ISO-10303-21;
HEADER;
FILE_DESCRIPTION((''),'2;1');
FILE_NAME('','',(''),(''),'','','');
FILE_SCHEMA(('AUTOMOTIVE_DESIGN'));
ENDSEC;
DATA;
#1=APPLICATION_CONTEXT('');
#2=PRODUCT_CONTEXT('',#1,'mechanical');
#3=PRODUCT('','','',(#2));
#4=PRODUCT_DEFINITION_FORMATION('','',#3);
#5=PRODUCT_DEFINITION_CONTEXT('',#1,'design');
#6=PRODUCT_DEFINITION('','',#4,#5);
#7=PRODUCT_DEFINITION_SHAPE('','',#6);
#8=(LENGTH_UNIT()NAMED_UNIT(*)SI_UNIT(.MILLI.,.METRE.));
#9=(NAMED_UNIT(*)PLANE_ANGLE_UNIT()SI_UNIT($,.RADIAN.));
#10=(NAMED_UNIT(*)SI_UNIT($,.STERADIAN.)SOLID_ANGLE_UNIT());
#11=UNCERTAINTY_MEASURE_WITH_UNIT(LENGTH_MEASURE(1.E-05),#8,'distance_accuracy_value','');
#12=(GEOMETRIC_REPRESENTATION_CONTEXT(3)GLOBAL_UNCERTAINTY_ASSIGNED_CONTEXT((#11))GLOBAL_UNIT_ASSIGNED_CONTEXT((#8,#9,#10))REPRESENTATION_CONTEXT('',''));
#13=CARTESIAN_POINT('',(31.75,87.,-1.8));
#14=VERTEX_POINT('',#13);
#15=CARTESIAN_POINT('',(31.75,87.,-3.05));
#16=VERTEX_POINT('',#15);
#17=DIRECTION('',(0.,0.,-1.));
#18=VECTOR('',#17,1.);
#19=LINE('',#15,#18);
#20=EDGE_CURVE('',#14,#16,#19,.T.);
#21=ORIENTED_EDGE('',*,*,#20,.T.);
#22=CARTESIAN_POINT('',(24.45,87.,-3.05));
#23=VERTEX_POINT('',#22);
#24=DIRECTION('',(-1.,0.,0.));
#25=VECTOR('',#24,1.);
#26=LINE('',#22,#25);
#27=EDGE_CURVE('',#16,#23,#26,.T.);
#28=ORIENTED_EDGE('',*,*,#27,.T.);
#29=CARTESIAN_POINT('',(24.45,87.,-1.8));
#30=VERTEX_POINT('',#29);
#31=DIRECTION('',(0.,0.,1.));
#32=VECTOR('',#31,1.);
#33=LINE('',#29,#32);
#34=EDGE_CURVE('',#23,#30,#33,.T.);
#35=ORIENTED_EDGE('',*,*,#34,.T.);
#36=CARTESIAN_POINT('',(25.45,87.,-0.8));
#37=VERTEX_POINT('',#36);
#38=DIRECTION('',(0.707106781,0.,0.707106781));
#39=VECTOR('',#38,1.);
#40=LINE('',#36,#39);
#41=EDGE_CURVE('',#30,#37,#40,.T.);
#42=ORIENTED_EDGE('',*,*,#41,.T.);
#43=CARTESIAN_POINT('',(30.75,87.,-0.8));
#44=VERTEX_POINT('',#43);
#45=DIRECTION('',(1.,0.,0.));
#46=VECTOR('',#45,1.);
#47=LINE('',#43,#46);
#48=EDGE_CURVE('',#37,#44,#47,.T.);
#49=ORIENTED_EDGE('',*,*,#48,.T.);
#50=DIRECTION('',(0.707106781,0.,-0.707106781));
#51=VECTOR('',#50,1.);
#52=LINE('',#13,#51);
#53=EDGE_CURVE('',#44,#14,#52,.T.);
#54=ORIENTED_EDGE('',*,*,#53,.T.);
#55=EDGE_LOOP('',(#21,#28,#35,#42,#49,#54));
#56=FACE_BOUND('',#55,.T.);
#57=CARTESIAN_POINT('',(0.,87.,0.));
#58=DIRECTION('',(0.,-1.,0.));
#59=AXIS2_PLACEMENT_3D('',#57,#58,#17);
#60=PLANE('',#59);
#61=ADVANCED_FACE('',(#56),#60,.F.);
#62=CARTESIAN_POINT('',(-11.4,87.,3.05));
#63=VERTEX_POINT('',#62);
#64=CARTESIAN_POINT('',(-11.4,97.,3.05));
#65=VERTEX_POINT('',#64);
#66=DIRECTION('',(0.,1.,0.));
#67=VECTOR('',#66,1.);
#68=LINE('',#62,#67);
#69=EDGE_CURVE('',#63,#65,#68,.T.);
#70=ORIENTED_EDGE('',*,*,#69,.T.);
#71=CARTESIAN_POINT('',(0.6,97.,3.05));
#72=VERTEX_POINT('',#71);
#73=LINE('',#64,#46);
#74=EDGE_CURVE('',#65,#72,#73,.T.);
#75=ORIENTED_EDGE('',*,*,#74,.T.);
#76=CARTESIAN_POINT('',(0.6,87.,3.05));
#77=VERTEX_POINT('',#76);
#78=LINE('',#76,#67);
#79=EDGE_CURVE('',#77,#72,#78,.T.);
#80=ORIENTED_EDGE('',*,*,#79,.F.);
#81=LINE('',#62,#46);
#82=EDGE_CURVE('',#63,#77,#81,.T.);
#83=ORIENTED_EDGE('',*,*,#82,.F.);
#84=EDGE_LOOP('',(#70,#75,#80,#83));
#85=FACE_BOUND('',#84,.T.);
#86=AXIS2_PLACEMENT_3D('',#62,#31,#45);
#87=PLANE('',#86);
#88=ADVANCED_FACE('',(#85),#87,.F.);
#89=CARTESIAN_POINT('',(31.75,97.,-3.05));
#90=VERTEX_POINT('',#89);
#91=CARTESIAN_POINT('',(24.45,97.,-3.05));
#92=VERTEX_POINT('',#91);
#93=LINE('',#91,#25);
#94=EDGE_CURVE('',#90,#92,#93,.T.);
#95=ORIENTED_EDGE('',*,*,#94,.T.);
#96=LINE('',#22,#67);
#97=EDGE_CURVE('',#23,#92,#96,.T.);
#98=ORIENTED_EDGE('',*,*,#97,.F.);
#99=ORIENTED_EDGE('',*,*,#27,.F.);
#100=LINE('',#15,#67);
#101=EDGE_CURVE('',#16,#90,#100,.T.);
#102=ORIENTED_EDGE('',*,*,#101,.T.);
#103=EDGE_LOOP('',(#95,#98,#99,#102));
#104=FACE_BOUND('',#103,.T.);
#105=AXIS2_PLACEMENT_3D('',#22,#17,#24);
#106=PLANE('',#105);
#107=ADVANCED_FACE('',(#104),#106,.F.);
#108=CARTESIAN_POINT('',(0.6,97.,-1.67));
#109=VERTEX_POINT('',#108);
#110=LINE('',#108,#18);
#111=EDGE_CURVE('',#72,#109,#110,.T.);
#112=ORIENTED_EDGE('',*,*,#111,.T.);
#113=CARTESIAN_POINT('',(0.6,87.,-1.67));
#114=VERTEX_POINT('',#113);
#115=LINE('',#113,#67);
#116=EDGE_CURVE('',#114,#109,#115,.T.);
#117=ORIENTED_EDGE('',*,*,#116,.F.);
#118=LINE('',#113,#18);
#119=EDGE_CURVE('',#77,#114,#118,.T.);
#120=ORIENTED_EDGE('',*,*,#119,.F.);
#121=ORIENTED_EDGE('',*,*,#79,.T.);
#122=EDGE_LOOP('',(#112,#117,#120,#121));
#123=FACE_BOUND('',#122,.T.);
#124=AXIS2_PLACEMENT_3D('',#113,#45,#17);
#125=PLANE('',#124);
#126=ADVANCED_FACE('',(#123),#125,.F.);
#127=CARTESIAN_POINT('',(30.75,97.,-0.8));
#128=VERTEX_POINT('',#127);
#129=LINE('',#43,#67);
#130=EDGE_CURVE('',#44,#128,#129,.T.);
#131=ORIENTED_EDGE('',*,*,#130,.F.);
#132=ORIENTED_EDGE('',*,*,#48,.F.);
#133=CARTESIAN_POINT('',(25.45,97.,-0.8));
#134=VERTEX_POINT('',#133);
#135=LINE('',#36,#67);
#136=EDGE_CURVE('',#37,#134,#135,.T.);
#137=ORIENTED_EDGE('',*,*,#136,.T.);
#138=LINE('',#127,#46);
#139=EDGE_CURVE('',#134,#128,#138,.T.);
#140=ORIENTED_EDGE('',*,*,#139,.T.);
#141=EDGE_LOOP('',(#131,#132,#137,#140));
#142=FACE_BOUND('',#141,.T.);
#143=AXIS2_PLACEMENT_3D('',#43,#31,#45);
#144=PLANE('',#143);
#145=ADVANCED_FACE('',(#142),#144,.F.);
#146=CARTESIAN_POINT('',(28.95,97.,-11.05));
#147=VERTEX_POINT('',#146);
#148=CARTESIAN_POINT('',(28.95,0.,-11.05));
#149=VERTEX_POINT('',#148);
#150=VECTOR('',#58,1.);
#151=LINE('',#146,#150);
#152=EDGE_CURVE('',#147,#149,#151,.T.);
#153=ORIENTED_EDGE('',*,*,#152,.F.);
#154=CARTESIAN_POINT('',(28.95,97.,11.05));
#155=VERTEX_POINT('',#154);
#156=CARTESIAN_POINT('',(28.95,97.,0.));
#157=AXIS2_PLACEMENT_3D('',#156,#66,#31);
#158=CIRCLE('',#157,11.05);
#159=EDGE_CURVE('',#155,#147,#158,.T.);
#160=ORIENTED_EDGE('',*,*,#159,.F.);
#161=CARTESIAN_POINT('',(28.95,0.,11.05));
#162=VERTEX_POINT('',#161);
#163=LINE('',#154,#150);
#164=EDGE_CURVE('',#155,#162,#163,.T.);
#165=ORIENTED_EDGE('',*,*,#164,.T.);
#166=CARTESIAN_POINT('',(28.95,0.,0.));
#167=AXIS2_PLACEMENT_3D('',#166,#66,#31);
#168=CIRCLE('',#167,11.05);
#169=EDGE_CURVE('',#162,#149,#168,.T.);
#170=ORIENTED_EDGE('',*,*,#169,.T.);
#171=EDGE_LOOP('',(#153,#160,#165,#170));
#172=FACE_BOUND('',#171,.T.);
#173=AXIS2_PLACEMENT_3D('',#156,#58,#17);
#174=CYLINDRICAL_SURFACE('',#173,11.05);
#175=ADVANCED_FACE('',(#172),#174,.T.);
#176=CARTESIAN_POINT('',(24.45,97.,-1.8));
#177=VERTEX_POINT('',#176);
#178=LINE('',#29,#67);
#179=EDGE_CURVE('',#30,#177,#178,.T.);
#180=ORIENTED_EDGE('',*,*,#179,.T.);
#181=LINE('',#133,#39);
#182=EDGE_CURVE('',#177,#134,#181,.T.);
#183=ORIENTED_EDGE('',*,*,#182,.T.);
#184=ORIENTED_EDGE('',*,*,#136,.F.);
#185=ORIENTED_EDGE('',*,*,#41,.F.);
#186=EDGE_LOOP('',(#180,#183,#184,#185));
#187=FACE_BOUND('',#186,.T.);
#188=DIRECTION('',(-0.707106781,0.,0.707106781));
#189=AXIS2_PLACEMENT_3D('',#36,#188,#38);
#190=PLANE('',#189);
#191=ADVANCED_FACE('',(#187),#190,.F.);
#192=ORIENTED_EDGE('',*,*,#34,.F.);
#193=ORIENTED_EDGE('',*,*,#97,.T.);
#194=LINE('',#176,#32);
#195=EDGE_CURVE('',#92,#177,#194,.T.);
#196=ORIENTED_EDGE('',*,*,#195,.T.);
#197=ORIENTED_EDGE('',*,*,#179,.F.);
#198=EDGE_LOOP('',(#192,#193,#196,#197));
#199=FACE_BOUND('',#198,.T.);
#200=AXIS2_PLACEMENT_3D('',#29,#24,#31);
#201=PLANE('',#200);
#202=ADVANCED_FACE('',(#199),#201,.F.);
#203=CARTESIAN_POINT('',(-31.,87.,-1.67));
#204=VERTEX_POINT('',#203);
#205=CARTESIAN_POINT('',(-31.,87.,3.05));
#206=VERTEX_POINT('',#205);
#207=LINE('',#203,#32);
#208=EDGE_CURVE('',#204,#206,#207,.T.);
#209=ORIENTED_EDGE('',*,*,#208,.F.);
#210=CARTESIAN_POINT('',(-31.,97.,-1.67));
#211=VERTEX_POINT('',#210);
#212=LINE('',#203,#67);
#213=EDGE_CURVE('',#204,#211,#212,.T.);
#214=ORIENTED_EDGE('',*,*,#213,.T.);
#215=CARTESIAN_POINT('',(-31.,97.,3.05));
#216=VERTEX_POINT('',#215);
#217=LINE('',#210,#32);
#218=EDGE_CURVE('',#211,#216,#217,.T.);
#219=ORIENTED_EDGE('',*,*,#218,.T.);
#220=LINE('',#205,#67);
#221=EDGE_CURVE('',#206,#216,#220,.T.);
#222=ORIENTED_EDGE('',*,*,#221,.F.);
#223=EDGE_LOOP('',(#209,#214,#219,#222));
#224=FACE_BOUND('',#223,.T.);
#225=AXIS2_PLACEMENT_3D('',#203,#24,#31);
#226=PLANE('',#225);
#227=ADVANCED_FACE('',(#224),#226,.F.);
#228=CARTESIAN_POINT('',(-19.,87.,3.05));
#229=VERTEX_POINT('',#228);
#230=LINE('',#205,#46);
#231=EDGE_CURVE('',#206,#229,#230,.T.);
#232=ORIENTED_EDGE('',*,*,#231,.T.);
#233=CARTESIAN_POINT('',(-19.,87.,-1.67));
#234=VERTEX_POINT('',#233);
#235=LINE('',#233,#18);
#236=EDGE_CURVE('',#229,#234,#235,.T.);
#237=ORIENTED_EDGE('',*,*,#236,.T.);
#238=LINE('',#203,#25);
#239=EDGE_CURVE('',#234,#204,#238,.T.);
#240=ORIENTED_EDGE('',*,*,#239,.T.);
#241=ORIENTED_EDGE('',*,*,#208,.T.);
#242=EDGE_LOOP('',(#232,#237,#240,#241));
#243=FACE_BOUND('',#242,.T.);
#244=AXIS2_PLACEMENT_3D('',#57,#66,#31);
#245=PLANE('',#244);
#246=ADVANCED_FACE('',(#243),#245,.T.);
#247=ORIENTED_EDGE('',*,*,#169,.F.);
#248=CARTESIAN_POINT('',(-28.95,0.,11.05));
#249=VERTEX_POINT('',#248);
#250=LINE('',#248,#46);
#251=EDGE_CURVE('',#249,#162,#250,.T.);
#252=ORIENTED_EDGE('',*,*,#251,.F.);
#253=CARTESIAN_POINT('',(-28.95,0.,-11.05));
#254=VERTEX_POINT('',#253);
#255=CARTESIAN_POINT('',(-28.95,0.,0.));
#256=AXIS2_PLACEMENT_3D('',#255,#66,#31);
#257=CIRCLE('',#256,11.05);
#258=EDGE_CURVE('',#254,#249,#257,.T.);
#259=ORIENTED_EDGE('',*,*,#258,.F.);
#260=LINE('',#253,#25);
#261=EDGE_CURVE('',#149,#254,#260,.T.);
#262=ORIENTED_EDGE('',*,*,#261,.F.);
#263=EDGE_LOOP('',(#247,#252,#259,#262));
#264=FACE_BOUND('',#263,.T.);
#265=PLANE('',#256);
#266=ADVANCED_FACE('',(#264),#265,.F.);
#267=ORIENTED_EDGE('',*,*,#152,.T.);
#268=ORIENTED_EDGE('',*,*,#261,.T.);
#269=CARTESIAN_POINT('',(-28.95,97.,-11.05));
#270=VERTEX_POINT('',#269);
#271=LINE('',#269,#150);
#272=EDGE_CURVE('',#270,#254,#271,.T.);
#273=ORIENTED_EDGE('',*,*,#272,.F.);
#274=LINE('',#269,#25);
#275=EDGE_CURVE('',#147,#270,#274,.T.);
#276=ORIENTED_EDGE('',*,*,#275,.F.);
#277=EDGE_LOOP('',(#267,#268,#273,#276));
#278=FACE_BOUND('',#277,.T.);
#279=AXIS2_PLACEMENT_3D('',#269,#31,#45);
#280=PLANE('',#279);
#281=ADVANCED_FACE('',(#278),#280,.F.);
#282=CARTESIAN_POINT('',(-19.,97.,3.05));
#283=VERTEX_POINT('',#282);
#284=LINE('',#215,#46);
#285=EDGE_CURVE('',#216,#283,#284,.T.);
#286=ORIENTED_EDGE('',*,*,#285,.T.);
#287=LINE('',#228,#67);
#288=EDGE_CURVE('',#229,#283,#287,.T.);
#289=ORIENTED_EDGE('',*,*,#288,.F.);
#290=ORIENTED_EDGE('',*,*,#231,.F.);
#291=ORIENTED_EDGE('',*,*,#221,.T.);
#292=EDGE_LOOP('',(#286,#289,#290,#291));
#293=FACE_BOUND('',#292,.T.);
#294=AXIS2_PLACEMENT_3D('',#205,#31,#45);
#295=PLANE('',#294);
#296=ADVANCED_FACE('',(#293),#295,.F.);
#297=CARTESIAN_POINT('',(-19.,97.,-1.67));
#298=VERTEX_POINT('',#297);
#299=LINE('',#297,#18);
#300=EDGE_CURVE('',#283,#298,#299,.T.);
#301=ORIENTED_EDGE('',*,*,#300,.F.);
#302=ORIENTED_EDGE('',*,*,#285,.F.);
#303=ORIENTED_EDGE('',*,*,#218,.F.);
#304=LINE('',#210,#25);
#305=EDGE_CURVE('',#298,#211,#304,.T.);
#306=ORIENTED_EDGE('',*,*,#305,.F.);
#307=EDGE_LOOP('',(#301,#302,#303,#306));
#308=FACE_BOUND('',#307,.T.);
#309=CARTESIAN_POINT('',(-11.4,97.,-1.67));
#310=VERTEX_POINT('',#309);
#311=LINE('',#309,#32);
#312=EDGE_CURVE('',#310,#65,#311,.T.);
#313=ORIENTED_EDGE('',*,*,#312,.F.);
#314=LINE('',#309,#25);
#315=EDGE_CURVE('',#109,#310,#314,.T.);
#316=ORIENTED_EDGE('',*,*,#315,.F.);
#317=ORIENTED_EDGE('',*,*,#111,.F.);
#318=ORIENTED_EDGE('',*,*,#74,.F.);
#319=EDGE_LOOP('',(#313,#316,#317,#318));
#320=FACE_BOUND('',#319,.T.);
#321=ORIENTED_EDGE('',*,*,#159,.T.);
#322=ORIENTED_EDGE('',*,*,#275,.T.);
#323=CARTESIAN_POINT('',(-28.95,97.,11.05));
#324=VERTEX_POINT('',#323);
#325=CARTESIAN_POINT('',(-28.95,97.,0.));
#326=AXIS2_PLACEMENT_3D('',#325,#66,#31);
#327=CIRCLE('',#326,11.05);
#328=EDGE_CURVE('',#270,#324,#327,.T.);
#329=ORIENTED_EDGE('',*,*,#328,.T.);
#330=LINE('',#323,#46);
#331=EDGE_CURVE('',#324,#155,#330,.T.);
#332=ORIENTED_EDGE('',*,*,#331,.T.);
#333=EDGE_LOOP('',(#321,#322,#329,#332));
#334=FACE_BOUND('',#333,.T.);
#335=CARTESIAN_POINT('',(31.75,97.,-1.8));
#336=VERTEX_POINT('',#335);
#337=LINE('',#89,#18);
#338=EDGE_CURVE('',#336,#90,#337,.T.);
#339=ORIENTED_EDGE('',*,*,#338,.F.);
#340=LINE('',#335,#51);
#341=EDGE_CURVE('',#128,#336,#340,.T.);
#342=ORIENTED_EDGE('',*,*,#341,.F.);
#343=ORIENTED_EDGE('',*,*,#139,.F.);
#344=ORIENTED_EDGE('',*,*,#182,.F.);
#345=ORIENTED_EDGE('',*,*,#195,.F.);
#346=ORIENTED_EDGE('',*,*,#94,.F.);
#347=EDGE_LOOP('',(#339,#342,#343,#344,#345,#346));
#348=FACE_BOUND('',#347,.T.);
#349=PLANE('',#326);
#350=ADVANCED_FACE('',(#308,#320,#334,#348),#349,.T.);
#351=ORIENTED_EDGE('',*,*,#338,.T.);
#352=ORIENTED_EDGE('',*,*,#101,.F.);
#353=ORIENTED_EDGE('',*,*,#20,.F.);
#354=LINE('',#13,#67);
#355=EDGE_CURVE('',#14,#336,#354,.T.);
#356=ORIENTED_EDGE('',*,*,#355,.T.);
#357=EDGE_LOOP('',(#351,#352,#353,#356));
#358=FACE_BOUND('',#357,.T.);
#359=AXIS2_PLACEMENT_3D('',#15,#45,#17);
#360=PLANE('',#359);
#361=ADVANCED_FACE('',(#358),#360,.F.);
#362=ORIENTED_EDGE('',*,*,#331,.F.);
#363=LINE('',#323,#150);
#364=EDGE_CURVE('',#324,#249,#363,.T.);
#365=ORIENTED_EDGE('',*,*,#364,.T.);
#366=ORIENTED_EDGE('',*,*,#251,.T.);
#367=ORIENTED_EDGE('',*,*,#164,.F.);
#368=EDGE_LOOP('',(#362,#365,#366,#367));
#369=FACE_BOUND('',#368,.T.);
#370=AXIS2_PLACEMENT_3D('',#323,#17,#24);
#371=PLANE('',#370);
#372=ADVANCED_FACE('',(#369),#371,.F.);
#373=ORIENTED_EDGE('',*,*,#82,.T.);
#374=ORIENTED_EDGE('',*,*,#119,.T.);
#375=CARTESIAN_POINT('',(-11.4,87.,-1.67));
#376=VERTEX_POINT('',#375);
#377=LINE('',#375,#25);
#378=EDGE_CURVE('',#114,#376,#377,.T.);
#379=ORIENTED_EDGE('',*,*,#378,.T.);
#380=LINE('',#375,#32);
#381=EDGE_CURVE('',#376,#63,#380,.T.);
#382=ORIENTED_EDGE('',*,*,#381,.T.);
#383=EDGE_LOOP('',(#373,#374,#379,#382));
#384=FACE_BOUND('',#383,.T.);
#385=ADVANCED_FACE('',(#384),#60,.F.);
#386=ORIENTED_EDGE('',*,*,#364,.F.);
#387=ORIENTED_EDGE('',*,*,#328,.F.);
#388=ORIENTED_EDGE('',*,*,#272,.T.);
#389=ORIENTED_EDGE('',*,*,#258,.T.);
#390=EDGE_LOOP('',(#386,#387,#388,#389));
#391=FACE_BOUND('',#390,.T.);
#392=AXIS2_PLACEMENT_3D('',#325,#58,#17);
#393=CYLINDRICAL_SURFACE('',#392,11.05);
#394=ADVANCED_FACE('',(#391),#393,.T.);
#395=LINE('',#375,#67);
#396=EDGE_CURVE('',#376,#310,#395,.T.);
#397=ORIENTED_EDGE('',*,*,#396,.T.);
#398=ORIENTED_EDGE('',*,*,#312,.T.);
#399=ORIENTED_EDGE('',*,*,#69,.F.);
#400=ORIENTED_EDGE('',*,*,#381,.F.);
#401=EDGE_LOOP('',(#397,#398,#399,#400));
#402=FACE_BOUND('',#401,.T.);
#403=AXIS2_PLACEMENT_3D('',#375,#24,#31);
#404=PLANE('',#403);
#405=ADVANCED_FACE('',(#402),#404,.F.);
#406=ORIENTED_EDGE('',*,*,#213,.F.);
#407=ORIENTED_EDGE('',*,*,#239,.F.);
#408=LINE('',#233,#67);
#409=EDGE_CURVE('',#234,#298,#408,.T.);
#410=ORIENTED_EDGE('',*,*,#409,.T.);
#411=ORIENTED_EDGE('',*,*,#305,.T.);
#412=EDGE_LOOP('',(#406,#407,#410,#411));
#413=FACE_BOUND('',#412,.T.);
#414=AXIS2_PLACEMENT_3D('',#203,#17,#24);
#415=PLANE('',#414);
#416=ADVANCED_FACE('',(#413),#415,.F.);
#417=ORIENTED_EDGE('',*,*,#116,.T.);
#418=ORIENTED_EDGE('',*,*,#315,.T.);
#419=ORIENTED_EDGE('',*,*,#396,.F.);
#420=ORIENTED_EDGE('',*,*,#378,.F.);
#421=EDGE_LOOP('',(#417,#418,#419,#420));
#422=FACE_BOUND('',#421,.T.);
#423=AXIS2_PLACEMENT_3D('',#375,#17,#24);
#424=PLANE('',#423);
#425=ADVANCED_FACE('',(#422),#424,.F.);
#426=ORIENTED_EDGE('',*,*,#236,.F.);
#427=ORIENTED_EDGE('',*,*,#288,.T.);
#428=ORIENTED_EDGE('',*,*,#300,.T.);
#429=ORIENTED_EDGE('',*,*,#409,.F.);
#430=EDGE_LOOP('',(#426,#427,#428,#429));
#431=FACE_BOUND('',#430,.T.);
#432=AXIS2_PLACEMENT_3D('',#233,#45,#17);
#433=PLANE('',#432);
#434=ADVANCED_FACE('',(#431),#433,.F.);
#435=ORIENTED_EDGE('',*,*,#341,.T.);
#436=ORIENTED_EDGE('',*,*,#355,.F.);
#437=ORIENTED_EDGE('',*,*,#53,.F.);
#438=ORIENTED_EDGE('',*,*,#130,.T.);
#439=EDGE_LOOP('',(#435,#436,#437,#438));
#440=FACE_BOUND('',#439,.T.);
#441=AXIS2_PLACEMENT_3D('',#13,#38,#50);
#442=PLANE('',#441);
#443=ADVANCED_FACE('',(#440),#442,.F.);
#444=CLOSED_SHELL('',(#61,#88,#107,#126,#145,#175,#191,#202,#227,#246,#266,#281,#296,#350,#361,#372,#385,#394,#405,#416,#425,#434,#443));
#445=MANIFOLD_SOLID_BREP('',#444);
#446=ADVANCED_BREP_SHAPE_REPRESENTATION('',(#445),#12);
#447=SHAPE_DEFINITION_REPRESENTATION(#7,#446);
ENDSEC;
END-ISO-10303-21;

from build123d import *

# Parameters (mm, degrees)
BOSS_EXTRUDE1_DEPTH = 97
SKETCH2_W           = 12
SKETCH2_H           = 4.72
CUT_EXTRUDE1_DEPTH  = 10


with BuildPart() as part:
    # Sketch1 → Boss-Extrude1 (new body)
    with BuildSketch(Plane(origin=(0, 0, 0), x_dir=(1, 0, 0), z_dir=(0, 1, 0))):
        with BuildLine():
            Line((-28.95, 11.05), (28.95, 11.05))
            ThreePointArc((28.95, 11.05), (40, 0), (28.95, -11.05))
            Line((28.95, -11.05), (-28.95, -11.05))
            ThreePointArc((-28.95, -11.05), (-40, 0), (-28.95, 11.05))
        make_face()
    extrude(amount=BOSS_EXTRUDE1_DEPTH)

    # Sketch2 → Cut-Extrude1 (cut)
    with BuildSketch(Plane(origin=(0, 97, 0), x_dir=(1, 0, 0), z_dir=(0, 1, 0))):
        with Locations((-25, -0.69)):
            Rectangle(SKETCH2_W, SKETCH2_H)
        with Locations((-5.4, -0.69)):
            Rectangle(SKETCH2_W, SKETCH2_H)
        Polygon((25.45, 0.8), (24.45, 1.8), (24.45, 3.05), (31.75, 3.05), (31.75, 1.8), (30.75, 0.8), align=None)
    extrude(amount=-CUT_EXTRUDE1_DEPTH, mode=Mode.SUBTRACT)


solid = part.part
